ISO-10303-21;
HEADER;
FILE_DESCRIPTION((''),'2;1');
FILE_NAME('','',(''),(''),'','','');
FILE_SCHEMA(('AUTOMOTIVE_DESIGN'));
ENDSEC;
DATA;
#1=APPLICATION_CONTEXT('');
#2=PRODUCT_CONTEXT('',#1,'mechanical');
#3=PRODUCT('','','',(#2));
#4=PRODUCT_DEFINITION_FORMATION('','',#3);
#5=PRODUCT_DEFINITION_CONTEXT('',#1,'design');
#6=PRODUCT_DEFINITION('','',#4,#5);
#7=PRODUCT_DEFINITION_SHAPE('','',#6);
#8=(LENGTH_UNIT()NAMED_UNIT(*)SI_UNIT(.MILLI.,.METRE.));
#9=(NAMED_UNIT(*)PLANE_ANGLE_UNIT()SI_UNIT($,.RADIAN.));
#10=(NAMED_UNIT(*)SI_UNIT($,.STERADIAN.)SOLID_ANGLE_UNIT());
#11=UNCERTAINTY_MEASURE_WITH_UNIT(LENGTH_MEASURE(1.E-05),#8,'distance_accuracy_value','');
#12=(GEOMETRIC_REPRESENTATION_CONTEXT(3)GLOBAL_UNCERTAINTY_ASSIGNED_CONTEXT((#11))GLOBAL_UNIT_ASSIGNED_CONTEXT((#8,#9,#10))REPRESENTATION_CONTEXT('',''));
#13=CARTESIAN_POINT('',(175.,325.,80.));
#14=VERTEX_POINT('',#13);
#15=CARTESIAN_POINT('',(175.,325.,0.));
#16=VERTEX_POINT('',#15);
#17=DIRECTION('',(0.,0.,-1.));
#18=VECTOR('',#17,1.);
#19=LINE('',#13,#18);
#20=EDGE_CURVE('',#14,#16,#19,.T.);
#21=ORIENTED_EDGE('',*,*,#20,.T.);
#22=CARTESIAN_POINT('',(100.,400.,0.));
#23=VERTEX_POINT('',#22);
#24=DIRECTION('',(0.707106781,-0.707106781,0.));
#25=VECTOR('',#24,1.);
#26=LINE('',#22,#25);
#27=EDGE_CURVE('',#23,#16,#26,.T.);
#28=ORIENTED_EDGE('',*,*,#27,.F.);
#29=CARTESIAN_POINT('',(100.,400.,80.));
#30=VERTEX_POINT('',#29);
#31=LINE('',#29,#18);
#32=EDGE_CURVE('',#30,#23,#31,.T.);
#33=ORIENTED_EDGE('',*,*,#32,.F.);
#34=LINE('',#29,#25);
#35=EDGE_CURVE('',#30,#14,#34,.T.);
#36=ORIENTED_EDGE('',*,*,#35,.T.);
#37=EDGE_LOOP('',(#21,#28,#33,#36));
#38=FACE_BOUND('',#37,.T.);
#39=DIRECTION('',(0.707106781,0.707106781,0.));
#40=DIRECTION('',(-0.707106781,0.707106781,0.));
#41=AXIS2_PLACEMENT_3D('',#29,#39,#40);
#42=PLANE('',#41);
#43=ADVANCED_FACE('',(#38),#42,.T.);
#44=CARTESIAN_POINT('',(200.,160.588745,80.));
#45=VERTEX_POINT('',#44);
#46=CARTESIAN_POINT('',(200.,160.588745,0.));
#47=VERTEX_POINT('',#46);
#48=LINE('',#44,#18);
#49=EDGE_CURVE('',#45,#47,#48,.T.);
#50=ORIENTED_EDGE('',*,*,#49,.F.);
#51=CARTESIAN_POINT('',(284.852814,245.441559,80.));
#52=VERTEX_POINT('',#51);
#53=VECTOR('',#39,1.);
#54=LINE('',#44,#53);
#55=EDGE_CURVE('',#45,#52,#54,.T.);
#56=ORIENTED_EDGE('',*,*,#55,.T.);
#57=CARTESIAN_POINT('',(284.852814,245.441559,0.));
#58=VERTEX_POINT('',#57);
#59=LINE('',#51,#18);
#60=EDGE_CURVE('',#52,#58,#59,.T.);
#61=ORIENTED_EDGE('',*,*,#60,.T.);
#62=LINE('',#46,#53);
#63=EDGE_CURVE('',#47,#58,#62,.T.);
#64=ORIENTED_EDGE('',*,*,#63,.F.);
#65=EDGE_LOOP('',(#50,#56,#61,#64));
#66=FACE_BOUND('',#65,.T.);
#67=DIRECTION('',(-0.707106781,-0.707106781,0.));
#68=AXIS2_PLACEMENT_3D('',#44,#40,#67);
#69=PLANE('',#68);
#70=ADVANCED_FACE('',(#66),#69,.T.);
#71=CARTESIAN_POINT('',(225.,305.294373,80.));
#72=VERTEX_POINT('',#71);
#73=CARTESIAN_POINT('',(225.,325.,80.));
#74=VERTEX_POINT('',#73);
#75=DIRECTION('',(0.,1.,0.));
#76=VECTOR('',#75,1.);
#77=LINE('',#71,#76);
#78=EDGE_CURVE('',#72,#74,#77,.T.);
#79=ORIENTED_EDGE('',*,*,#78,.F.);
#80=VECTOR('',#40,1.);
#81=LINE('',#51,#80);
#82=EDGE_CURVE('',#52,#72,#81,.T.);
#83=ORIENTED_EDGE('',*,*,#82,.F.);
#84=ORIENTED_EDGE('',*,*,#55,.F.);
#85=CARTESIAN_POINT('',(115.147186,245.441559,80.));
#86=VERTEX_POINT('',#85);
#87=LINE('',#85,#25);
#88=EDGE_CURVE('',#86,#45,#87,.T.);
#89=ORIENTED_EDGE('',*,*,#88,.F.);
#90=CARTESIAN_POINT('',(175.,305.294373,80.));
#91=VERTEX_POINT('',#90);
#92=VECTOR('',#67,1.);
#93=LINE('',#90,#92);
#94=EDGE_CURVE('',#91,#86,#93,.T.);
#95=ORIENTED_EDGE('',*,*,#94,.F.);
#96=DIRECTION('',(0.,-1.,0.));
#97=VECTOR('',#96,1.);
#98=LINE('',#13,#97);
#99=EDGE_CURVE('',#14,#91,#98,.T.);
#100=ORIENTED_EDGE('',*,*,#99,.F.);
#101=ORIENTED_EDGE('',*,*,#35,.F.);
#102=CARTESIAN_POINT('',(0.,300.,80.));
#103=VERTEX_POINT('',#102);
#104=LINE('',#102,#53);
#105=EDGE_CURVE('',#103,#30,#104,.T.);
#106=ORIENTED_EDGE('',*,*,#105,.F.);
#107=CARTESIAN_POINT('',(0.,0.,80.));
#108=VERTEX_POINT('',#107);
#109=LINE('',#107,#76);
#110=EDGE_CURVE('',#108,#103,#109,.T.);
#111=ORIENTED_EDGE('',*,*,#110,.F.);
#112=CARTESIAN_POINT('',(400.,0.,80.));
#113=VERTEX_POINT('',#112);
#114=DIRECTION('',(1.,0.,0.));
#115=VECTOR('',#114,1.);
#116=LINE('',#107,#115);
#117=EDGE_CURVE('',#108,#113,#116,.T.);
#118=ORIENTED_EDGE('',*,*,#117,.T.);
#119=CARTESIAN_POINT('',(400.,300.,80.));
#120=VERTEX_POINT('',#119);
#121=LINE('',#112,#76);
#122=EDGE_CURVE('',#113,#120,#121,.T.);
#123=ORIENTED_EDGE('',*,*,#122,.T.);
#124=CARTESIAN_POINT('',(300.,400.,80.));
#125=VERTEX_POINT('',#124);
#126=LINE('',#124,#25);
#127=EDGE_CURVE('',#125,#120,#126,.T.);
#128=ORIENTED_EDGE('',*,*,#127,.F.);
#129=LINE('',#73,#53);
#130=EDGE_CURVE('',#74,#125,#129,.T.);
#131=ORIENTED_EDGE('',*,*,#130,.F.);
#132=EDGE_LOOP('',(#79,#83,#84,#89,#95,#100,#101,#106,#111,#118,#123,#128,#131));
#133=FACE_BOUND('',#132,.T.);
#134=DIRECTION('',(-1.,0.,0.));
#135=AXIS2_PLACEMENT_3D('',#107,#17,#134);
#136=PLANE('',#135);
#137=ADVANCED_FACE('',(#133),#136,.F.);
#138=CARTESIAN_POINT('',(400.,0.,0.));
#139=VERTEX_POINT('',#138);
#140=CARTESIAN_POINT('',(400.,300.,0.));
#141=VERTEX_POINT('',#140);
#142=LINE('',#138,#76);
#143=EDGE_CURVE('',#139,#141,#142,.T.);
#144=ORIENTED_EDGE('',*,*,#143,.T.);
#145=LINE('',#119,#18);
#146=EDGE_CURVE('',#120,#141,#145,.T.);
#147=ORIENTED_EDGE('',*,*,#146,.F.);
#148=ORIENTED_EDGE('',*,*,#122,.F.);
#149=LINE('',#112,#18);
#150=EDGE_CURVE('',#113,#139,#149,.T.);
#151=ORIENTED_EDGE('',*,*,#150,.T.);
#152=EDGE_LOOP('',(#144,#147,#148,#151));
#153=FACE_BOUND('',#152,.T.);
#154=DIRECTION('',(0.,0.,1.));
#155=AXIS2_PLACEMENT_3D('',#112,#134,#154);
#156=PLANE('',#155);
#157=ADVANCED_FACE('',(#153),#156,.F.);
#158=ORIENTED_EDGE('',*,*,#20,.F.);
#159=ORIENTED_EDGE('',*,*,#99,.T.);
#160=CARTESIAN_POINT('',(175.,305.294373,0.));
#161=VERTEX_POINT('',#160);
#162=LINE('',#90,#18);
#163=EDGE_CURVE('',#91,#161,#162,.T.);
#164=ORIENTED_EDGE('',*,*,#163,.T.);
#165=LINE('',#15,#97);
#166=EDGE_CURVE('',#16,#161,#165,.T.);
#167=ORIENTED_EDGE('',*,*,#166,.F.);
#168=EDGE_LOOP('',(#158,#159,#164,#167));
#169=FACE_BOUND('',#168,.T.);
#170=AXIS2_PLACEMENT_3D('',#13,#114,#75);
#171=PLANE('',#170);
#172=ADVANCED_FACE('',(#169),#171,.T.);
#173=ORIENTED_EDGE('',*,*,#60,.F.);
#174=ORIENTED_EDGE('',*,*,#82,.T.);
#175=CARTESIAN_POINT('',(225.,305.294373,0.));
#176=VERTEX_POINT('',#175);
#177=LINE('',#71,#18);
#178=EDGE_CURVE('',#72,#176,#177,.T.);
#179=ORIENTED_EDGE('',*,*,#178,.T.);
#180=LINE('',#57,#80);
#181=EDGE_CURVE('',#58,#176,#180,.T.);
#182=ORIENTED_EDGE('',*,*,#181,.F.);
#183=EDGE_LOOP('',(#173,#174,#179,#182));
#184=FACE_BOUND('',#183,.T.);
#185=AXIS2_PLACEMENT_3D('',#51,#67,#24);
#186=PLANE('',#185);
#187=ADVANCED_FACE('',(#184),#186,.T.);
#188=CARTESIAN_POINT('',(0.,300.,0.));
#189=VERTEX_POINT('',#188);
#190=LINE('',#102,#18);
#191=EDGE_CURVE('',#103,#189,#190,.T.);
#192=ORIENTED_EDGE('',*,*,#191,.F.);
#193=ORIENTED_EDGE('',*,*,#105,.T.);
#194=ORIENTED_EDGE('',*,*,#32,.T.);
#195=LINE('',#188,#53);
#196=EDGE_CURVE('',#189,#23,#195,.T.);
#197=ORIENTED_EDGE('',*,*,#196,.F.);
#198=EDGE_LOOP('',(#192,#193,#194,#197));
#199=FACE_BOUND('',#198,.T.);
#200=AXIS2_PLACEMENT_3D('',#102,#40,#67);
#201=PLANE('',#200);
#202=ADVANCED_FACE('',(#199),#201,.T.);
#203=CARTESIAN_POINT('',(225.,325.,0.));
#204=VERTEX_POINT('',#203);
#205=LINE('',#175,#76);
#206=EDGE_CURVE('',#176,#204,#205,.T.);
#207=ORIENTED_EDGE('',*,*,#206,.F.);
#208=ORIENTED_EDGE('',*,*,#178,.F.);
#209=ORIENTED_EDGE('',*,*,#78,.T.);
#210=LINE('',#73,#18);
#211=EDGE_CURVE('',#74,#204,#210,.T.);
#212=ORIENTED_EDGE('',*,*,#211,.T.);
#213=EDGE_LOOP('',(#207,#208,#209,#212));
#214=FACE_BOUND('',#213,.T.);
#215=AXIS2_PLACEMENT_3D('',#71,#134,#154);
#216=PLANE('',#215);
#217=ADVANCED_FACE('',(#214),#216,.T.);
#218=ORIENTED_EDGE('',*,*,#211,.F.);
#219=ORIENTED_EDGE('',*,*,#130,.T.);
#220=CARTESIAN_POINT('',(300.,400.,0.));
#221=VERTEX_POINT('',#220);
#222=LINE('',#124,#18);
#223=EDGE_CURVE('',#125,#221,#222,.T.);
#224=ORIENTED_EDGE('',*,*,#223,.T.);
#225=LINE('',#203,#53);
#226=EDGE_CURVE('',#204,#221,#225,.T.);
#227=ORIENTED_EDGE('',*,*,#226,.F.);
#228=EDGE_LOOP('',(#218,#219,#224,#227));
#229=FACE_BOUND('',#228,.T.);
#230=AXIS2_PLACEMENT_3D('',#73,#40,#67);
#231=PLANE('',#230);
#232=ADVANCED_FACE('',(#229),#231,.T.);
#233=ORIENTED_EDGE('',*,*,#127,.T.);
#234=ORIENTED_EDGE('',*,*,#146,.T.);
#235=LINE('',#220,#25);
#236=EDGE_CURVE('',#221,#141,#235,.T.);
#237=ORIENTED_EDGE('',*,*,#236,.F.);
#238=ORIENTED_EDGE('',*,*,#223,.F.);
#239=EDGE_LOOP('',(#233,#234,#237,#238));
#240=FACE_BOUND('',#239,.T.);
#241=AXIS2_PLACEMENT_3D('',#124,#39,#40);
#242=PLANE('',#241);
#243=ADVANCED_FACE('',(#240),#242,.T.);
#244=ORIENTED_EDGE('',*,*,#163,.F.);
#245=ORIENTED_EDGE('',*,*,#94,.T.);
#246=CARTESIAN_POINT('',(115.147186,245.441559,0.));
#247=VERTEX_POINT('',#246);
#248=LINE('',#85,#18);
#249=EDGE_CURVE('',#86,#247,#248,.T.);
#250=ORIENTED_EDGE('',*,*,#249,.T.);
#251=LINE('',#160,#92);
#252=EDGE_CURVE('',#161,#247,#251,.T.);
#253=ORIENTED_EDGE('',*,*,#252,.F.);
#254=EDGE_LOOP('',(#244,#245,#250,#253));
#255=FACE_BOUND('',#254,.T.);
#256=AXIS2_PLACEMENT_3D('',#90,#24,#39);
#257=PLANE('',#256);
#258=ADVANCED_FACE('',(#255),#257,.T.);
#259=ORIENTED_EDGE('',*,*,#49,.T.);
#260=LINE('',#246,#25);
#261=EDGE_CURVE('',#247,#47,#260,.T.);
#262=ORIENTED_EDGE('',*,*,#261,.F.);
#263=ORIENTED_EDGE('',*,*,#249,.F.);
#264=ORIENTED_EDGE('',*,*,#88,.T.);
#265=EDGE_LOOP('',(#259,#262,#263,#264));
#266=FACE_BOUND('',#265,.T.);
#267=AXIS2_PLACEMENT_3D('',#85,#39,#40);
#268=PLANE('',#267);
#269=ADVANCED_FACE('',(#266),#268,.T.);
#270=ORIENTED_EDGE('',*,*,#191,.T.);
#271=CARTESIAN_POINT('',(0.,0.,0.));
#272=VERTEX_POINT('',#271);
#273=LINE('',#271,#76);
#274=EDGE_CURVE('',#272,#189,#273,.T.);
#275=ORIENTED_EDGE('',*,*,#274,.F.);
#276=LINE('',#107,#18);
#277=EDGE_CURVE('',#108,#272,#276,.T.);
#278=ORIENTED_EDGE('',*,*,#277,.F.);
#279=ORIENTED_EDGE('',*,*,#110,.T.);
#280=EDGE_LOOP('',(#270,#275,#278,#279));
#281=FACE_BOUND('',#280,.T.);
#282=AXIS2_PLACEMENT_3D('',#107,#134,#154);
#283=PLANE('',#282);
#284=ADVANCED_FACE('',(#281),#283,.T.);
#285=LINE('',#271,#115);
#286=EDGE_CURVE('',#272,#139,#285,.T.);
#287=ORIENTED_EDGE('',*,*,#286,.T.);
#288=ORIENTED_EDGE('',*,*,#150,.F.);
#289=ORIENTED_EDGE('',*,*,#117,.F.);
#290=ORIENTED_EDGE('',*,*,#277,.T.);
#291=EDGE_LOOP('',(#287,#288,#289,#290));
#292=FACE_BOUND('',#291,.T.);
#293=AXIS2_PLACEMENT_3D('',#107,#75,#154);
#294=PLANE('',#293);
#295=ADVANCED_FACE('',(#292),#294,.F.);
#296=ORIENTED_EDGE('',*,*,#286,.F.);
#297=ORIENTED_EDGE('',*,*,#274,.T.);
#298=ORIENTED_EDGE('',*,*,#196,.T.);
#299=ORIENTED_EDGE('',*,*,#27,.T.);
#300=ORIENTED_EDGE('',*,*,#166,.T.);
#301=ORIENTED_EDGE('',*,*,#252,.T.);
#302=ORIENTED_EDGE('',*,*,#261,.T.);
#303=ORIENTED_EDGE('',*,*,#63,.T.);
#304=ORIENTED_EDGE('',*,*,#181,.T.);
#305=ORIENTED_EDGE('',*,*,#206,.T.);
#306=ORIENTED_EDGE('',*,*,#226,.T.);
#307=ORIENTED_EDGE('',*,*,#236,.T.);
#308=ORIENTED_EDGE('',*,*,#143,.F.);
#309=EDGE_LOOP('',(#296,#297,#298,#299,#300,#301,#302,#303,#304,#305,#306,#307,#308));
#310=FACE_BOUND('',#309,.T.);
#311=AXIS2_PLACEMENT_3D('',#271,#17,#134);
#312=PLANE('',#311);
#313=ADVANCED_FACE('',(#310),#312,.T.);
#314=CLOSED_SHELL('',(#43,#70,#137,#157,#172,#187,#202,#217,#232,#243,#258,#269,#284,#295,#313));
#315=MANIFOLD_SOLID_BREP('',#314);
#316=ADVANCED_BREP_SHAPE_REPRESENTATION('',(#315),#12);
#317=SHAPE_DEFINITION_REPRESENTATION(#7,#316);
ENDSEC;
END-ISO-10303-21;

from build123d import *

# Parameters (mm, degrees)
BOSS_EXTRUDE1_DEPTH = 80


with BuildPart() as part:
    # Sketch1 → Boss-Extrude1 (new body)
    with BuildSketch(Plane.XY):
        Polygon((0, 300), (100, 400), (175, 325), (175, 305.294372515), (115.147186258, 245.441558773), (200, 160.58874503), (284.852813742, 245.441558773), (225, 305.294372515), (225, 325), (300, 400), (400, 300), (400, 0), (0, 0), align=None)
    extrude(amount=BOSS_EXTRUDE1_DEPTH)


solid = part.part
